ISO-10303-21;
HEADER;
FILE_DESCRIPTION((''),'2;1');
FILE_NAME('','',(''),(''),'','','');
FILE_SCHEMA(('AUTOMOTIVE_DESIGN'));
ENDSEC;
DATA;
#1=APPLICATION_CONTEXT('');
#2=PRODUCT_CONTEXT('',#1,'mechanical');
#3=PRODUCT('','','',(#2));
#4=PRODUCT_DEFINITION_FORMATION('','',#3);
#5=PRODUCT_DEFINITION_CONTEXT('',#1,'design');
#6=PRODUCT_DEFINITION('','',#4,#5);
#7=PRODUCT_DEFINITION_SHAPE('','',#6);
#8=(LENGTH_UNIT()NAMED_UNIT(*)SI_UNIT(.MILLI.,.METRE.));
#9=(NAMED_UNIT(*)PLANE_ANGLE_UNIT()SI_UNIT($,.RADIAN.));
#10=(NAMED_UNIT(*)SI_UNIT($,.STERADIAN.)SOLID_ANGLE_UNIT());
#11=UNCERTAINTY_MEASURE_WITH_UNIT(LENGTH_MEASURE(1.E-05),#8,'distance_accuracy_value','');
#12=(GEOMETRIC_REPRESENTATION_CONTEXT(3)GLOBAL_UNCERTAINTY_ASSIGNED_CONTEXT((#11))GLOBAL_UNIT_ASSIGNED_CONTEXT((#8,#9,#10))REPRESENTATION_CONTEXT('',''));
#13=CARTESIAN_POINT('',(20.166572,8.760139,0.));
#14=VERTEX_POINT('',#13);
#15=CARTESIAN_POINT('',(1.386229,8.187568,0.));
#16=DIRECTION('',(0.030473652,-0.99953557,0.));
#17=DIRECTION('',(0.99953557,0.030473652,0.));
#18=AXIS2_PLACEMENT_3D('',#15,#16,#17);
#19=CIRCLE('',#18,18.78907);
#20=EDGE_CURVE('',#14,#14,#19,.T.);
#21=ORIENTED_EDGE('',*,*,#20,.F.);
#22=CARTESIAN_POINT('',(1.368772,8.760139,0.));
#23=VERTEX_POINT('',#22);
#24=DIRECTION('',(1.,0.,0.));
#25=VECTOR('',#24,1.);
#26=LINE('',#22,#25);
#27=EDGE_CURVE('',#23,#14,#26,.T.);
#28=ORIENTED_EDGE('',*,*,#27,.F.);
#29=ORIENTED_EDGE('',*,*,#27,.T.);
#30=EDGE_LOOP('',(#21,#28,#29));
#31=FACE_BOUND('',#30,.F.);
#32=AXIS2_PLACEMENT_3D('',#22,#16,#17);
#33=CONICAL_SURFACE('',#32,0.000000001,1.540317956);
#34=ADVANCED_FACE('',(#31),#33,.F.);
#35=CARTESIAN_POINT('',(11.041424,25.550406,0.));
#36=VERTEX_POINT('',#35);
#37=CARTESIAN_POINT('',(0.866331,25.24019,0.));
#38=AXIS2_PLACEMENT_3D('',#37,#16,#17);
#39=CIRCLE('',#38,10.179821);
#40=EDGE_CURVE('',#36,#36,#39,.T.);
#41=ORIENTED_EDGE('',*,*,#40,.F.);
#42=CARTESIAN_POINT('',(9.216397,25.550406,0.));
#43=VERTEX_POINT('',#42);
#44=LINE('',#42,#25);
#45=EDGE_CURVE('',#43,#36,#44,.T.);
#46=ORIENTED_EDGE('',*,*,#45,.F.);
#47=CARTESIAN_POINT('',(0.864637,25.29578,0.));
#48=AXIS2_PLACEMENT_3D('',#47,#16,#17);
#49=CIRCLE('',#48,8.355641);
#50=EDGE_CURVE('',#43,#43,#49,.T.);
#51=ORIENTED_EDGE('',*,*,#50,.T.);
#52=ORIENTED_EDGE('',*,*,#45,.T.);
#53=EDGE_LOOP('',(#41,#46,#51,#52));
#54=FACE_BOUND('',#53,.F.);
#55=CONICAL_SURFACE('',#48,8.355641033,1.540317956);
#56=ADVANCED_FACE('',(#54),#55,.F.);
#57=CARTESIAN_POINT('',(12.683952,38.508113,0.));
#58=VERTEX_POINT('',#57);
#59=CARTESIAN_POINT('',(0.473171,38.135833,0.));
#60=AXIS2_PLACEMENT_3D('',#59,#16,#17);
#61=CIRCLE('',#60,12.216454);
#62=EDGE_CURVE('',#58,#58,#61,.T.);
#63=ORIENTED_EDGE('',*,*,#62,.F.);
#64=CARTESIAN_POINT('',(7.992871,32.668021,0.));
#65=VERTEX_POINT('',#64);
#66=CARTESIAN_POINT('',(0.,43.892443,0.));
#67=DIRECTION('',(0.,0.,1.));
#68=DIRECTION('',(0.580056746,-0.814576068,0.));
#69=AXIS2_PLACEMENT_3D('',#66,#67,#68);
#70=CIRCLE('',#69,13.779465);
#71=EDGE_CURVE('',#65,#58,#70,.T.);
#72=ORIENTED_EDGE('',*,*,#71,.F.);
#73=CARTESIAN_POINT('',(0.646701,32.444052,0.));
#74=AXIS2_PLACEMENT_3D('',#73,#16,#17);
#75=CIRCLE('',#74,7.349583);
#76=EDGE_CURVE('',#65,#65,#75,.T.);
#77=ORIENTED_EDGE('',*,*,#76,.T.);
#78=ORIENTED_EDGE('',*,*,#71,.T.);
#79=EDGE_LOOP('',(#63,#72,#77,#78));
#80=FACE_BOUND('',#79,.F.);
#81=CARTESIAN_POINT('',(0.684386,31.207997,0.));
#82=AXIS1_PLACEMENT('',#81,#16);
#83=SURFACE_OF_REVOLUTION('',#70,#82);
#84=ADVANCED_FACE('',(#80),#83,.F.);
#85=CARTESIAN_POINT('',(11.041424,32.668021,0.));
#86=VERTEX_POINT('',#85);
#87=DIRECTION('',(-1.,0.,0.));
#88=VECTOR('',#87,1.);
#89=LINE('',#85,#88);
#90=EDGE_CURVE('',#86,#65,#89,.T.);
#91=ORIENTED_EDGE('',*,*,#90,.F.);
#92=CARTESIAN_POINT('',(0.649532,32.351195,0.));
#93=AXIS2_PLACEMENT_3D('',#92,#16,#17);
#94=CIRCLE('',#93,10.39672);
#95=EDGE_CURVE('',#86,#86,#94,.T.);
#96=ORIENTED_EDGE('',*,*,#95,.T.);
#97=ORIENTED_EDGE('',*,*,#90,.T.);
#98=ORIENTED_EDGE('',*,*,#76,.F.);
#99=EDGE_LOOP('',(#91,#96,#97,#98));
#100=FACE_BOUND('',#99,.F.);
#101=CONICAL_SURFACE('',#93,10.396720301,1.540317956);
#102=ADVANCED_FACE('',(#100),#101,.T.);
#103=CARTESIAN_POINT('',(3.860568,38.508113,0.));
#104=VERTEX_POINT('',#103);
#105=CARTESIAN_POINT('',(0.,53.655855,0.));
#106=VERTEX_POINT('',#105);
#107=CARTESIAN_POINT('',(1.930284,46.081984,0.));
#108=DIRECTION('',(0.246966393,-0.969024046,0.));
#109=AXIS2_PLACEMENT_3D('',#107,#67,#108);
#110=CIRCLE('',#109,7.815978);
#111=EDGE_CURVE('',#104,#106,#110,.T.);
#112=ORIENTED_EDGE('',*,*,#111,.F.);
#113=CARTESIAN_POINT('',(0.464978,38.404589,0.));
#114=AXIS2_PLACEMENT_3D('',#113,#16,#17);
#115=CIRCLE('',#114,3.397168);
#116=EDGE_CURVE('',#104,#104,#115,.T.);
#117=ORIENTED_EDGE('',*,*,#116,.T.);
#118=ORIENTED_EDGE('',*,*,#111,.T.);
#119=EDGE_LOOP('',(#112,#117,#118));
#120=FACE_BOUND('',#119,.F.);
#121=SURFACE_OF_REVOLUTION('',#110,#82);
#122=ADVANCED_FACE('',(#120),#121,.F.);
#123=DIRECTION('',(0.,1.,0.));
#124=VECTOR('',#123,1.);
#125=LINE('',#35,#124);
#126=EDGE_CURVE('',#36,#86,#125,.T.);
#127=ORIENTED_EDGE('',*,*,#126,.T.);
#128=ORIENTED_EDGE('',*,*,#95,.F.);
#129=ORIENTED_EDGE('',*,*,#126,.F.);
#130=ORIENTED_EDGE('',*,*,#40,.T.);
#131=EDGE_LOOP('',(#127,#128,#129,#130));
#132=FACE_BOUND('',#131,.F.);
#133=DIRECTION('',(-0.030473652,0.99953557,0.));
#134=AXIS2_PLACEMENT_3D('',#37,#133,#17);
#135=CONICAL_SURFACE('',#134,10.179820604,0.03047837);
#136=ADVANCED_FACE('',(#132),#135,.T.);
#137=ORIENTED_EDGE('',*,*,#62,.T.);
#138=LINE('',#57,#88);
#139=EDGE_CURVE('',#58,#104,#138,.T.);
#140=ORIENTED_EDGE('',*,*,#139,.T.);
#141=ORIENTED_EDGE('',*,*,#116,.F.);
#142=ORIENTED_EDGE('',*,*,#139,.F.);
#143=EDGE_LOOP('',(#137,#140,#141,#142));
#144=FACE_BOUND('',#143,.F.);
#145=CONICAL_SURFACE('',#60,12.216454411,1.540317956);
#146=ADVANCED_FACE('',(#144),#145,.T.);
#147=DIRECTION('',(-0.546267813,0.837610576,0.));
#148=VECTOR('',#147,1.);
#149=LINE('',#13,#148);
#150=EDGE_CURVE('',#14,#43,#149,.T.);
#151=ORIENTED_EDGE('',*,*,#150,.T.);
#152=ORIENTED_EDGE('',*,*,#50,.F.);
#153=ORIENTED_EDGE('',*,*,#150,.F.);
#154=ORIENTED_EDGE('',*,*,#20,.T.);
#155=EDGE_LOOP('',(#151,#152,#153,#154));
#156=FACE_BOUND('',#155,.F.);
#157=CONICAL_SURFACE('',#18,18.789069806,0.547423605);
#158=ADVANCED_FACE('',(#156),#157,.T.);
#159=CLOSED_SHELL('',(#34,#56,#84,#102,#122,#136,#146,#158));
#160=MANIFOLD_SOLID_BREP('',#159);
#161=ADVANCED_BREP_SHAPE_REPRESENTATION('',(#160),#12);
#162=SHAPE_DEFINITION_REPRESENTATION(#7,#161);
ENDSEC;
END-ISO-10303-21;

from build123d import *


with BuildPart() as f1:
    # F0 (on Top) → F1 (revolve)
    with BuildSketch(Plane.XY):
        with BuildLine():
            Line((12.6839522272, 38.5081134737), (3.8605679486, 38.5081134737))
            ThreePointArc((3.8605679486, 38.5081134737), (9.5041549163, 48.0122683899), (0, 53.6558553576))
            Line((0, 53.6558553576), (1.3687721221, 8.7601393461))
            Line((1.3687721221, 8.7601393461), (20.1665721834, 8.7601393461))
            Line((20.1665721834, 8.7601393461), (9.2163970694, 25.5504064262))
            Line((9.2163970694, 25.5504064262), (11.0414242372, 25.5504064262))
            Line((11.0414242372, 25.5504064262), (11.0414242372, 32.6680205762))
            Line((11.0414242372, 32.6680205762), (7.9928714119, 32.6680205762))
            ThreePointArc((7.9928714119, 32.6680205762), (10.7428781159, 35.2631776582), (12.6839522272, 38.5081134737))
        make_face()
    revolve(axis=Axis((0.684386061, 31.2079973519, 0), (0.030473652, -0.9995355704, 0)))


solid = f1.part
